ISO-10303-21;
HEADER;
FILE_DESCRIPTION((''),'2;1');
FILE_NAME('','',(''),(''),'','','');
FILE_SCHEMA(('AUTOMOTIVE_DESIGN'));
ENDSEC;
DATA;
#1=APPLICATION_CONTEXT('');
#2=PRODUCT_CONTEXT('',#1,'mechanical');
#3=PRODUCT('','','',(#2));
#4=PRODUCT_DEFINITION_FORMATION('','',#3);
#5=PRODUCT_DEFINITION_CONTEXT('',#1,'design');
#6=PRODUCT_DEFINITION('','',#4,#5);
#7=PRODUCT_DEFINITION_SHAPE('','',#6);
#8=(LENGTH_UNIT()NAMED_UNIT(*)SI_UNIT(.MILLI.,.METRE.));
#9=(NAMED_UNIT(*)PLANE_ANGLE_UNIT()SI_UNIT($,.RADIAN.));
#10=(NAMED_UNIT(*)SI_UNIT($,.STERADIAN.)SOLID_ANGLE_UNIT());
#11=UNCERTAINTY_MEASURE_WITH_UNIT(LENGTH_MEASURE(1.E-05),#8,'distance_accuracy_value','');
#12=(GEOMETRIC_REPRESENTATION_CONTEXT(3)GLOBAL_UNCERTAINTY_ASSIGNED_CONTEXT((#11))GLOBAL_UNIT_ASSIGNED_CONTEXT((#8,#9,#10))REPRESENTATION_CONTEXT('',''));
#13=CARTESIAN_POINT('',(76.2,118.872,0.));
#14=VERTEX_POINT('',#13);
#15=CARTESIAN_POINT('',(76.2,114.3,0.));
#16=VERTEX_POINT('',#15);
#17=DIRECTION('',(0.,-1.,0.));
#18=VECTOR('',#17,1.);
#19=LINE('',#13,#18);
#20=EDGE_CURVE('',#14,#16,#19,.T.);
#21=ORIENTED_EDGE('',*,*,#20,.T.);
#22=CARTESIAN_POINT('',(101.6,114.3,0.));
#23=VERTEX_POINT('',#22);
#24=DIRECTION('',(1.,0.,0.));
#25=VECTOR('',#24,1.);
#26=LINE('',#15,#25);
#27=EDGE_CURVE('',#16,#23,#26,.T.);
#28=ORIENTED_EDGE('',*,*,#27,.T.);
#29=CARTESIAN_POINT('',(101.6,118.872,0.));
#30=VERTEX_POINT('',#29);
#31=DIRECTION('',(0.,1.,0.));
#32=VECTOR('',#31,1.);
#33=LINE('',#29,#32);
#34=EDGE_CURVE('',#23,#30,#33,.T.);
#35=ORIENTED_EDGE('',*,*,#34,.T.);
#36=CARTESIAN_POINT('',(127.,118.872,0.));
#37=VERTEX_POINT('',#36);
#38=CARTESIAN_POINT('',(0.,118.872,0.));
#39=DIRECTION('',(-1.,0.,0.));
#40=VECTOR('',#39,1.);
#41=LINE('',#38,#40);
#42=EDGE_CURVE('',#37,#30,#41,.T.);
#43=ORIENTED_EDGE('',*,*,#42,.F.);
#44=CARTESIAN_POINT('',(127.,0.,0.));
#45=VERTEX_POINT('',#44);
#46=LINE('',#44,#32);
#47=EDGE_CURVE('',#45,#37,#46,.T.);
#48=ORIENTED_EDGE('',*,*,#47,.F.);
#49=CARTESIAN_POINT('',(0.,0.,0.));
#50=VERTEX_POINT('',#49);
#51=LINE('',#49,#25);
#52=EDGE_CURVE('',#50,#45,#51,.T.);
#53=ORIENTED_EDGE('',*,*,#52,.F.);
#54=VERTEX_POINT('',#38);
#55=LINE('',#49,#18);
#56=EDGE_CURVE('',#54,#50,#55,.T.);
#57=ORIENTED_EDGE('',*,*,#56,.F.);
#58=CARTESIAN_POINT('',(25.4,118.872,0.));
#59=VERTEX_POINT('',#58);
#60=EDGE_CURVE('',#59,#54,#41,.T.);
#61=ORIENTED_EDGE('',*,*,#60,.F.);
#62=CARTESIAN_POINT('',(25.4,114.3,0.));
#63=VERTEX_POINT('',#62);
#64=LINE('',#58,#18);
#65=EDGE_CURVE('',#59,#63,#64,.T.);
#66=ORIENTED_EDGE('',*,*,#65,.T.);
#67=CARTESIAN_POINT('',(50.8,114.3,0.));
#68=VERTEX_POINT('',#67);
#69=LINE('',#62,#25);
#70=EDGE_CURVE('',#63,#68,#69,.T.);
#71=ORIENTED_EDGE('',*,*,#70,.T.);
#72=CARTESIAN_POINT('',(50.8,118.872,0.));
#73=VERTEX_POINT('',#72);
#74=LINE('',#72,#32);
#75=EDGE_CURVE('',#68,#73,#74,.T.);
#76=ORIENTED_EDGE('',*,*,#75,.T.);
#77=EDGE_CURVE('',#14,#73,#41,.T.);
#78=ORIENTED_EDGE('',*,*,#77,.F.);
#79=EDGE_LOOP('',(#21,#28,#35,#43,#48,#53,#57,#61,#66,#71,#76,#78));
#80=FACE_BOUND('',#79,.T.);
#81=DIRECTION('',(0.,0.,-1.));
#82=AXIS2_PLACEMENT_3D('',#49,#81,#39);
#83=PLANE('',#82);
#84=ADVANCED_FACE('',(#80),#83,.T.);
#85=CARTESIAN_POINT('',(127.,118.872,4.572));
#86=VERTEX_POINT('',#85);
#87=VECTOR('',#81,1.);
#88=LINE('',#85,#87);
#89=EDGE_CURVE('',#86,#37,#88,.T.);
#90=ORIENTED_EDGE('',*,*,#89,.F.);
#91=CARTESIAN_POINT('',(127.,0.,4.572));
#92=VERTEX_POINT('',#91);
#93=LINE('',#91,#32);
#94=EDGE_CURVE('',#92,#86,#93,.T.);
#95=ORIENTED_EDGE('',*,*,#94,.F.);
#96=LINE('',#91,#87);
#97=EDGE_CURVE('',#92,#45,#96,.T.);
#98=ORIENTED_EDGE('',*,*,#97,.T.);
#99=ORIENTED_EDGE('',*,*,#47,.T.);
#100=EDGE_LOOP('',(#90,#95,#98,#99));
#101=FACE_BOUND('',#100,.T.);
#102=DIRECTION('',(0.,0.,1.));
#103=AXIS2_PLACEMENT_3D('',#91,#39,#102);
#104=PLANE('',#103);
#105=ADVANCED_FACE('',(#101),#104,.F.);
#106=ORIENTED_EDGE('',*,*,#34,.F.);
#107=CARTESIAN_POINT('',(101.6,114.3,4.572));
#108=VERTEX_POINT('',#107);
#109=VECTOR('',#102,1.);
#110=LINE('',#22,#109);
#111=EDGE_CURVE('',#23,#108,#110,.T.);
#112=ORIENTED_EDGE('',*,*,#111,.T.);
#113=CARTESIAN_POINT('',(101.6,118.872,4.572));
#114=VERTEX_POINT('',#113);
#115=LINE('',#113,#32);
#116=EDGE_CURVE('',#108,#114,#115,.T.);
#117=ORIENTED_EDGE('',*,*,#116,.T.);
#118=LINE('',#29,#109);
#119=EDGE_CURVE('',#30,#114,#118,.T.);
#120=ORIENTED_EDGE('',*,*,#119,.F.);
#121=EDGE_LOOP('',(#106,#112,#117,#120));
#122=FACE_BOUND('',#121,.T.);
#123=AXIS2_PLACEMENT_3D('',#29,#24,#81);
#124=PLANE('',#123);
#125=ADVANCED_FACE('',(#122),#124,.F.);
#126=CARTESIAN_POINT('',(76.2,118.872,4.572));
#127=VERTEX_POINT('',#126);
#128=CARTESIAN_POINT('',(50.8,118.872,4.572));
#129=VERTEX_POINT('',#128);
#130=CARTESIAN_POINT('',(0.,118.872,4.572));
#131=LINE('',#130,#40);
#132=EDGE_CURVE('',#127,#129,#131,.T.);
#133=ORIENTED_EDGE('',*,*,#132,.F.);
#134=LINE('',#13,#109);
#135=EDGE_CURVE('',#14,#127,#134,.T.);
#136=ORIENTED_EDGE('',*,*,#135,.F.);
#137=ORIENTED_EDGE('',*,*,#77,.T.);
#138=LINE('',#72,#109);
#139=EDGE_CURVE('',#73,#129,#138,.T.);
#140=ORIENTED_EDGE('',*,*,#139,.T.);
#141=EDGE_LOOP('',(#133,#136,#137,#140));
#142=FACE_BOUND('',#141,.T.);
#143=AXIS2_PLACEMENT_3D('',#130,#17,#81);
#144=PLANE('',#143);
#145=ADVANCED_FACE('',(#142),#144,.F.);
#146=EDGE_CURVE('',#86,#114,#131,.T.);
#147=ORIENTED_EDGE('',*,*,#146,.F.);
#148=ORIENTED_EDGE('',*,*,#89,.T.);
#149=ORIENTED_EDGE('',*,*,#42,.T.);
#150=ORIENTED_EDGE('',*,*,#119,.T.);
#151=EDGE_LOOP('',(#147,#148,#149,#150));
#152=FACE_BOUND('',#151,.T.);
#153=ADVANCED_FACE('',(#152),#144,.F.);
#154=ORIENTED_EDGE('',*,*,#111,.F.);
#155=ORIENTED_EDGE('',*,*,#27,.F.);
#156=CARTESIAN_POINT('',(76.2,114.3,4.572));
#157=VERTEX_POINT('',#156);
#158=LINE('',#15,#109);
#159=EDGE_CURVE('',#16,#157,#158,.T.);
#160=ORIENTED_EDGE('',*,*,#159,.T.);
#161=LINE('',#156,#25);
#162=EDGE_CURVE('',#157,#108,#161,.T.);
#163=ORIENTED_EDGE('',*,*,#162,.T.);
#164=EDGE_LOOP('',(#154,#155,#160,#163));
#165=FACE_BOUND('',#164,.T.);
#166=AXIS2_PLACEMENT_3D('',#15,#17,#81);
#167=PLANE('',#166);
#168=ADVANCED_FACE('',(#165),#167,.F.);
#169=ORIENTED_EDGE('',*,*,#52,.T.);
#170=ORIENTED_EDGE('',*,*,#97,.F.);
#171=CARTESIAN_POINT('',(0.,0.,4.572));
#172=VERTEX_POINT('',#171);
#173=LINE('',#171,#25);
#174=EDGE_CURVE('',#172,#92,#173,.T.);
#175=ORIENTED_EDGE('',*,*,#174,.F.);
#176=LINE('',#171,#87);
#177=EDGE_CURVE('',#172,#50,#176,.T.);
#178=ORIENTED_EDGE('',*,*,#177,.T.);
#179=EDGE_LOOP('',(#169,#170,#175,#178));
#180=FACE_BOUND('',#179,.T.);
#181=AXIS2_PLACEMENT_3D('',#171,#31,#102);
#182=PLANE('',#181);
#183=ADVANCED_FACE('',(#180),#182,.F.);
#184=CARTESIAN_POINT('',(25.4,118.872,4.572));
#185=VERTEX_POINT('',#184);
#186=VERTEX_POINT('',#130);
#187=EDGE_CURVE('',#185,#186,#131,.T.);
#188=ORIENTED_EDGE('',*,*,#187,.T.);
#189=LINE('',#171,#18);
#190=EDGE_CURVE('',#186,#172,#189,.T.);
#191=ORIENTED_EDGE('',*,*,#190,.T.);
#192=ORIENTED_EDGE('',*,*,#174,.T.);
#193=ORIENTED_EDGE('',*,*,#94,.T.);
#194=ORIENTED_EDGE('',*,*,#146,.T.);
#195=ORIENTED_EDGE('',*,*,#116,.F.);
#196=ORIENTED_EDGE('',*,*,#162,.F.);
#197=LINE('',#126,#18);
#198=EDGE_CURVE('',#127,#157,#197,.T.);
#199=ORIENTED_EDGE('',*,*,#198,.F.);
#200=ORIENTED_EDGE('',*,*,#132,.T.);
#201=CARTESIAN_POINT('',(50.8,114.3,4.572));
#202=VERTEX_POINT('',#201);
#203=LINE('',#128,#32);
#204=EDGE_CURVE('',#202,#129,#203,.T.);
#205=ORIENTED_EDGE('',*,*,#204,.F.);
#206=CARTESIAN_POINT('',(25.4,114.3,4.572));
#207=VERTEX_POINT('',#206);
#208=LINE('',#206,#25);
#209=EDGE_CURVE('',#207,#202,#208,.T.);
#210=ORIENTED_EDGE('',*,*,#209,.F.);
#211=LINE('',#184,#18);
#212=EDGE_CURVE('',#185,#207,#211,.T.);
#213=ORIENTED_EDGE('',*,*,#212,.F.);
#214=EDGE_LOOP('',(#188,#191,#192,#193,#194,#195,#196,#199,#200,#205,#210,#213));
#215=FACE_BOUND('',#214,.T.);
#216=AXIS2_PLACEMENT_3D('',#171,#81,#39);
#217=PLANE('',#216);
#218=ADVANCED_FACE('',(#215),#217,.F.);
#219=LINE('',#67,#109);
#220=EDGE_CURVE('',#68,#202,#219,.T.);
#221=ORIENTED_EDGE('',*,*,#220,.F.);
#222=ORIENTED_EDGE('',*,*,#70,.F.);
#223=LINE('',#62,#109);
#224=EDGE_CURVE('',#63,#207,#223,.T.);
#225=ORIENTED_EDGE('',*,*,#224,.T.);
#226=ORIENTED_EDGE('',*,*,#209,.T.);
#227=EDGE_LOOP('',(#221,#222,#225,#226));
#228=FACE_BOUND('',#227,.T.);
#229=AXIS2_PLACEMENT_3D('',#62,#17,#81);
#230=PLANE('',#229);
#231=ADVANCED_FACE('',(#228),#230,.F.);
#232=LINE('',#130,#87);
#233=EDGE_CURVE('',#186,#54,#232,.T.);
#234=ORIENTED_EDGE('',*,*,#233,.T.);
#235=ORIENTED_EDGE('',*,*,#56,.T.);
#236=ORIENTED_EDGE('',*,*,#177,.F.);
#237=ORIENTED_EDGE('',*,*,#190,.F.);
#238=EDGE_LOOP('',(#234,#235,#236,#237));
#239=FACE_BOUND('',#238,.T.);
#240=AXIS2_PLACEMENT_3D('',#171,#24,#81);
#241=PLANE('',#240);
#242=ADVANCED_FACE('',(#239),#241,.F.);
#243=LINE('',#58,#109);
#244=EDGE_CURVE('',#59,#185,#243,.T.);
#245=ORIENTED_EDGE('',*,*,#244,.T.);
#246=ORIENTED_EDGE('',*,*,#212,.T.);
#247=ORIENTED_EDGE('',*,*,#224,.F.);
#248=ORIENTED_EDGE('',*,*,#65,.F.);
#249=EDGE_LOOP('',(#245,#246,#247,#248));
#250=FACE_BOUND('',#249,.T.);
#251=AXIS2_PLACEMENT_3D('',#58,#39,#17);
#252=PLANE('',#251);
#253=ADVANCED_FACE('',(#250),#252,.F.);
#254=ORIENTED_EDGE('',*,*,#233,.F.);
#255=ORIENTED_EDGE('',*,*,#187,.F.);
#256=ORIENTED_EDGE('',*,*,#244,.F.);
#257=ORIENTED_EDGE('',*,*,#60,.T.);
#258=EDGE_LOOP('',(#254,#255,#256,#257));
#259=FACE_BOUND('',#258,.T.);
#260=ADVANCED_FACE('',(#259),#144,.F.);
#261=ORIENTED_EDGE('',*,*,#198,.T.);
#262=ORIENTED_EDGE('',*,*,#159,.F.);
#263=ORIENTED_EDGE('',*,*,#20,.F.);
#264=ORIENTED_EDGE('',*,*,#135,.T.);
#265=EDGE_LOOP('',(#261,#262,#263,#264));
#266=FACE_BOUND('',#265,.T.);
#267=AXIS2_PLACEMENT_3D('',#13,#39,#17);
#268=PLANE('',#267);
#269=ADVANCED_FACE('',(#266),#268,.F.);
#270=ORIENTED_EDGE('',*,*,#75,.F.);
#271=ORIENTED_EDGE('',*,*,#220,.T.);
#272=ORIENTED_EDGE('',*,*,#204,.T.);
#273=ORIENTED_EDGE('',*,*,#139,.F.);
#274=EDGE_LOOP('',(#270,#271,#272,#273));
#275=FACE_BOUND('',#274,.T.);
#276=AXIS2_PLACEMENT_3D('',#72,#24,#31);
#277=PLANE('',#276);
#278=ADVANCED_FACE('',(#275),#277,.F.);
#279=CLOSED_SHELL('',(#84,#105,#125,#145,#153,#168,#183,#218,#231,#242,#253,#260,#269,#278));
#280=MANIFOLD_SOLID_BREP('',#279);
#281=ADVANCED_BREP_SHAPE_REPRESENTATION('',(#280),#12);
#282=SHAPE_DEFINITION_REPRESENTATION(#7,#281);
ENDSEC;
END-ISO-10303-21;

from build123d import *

# Parameters (mm, degrees)
SKETCH1_W           = 127
SKETCH1_H           = 118.872
BOSS_EXTRUDE1_DEPTH = 4.572
SKETCH2_W           = 25.4
SKETCH2_H           = 4.572
CUT_EXTRUDE1_DEPTH  = 4.572


with BuildPart() as part:
    # Sketch1 → Boss-Extrude1 (new body)
    with BuildSketch(Plane.XY):
        with Locations((63.5, 59.436)):
            Rectangle(SKETCH1_W, SKETCH1_H)
    extrude(amount=BOSS_EXTRUDE1_DEPTH)

    # Sketch2 → Cut-Extrude1 (cut)
    with BuildSketch(Plane.XY.offset(4.572)):
        with Locations((38.1, 116.586)):
            Rectangle(SKETCH2_W, SKETCH2_H)
        with Locations((88.9, 116.586)):
            Rectangle(SKETCH2_W, SKETCH2_H)
    extrude(amount=-CUT_EXTRUDE1_DEPTH, mode=Mode.SUBTRACT)


solid = part.part
